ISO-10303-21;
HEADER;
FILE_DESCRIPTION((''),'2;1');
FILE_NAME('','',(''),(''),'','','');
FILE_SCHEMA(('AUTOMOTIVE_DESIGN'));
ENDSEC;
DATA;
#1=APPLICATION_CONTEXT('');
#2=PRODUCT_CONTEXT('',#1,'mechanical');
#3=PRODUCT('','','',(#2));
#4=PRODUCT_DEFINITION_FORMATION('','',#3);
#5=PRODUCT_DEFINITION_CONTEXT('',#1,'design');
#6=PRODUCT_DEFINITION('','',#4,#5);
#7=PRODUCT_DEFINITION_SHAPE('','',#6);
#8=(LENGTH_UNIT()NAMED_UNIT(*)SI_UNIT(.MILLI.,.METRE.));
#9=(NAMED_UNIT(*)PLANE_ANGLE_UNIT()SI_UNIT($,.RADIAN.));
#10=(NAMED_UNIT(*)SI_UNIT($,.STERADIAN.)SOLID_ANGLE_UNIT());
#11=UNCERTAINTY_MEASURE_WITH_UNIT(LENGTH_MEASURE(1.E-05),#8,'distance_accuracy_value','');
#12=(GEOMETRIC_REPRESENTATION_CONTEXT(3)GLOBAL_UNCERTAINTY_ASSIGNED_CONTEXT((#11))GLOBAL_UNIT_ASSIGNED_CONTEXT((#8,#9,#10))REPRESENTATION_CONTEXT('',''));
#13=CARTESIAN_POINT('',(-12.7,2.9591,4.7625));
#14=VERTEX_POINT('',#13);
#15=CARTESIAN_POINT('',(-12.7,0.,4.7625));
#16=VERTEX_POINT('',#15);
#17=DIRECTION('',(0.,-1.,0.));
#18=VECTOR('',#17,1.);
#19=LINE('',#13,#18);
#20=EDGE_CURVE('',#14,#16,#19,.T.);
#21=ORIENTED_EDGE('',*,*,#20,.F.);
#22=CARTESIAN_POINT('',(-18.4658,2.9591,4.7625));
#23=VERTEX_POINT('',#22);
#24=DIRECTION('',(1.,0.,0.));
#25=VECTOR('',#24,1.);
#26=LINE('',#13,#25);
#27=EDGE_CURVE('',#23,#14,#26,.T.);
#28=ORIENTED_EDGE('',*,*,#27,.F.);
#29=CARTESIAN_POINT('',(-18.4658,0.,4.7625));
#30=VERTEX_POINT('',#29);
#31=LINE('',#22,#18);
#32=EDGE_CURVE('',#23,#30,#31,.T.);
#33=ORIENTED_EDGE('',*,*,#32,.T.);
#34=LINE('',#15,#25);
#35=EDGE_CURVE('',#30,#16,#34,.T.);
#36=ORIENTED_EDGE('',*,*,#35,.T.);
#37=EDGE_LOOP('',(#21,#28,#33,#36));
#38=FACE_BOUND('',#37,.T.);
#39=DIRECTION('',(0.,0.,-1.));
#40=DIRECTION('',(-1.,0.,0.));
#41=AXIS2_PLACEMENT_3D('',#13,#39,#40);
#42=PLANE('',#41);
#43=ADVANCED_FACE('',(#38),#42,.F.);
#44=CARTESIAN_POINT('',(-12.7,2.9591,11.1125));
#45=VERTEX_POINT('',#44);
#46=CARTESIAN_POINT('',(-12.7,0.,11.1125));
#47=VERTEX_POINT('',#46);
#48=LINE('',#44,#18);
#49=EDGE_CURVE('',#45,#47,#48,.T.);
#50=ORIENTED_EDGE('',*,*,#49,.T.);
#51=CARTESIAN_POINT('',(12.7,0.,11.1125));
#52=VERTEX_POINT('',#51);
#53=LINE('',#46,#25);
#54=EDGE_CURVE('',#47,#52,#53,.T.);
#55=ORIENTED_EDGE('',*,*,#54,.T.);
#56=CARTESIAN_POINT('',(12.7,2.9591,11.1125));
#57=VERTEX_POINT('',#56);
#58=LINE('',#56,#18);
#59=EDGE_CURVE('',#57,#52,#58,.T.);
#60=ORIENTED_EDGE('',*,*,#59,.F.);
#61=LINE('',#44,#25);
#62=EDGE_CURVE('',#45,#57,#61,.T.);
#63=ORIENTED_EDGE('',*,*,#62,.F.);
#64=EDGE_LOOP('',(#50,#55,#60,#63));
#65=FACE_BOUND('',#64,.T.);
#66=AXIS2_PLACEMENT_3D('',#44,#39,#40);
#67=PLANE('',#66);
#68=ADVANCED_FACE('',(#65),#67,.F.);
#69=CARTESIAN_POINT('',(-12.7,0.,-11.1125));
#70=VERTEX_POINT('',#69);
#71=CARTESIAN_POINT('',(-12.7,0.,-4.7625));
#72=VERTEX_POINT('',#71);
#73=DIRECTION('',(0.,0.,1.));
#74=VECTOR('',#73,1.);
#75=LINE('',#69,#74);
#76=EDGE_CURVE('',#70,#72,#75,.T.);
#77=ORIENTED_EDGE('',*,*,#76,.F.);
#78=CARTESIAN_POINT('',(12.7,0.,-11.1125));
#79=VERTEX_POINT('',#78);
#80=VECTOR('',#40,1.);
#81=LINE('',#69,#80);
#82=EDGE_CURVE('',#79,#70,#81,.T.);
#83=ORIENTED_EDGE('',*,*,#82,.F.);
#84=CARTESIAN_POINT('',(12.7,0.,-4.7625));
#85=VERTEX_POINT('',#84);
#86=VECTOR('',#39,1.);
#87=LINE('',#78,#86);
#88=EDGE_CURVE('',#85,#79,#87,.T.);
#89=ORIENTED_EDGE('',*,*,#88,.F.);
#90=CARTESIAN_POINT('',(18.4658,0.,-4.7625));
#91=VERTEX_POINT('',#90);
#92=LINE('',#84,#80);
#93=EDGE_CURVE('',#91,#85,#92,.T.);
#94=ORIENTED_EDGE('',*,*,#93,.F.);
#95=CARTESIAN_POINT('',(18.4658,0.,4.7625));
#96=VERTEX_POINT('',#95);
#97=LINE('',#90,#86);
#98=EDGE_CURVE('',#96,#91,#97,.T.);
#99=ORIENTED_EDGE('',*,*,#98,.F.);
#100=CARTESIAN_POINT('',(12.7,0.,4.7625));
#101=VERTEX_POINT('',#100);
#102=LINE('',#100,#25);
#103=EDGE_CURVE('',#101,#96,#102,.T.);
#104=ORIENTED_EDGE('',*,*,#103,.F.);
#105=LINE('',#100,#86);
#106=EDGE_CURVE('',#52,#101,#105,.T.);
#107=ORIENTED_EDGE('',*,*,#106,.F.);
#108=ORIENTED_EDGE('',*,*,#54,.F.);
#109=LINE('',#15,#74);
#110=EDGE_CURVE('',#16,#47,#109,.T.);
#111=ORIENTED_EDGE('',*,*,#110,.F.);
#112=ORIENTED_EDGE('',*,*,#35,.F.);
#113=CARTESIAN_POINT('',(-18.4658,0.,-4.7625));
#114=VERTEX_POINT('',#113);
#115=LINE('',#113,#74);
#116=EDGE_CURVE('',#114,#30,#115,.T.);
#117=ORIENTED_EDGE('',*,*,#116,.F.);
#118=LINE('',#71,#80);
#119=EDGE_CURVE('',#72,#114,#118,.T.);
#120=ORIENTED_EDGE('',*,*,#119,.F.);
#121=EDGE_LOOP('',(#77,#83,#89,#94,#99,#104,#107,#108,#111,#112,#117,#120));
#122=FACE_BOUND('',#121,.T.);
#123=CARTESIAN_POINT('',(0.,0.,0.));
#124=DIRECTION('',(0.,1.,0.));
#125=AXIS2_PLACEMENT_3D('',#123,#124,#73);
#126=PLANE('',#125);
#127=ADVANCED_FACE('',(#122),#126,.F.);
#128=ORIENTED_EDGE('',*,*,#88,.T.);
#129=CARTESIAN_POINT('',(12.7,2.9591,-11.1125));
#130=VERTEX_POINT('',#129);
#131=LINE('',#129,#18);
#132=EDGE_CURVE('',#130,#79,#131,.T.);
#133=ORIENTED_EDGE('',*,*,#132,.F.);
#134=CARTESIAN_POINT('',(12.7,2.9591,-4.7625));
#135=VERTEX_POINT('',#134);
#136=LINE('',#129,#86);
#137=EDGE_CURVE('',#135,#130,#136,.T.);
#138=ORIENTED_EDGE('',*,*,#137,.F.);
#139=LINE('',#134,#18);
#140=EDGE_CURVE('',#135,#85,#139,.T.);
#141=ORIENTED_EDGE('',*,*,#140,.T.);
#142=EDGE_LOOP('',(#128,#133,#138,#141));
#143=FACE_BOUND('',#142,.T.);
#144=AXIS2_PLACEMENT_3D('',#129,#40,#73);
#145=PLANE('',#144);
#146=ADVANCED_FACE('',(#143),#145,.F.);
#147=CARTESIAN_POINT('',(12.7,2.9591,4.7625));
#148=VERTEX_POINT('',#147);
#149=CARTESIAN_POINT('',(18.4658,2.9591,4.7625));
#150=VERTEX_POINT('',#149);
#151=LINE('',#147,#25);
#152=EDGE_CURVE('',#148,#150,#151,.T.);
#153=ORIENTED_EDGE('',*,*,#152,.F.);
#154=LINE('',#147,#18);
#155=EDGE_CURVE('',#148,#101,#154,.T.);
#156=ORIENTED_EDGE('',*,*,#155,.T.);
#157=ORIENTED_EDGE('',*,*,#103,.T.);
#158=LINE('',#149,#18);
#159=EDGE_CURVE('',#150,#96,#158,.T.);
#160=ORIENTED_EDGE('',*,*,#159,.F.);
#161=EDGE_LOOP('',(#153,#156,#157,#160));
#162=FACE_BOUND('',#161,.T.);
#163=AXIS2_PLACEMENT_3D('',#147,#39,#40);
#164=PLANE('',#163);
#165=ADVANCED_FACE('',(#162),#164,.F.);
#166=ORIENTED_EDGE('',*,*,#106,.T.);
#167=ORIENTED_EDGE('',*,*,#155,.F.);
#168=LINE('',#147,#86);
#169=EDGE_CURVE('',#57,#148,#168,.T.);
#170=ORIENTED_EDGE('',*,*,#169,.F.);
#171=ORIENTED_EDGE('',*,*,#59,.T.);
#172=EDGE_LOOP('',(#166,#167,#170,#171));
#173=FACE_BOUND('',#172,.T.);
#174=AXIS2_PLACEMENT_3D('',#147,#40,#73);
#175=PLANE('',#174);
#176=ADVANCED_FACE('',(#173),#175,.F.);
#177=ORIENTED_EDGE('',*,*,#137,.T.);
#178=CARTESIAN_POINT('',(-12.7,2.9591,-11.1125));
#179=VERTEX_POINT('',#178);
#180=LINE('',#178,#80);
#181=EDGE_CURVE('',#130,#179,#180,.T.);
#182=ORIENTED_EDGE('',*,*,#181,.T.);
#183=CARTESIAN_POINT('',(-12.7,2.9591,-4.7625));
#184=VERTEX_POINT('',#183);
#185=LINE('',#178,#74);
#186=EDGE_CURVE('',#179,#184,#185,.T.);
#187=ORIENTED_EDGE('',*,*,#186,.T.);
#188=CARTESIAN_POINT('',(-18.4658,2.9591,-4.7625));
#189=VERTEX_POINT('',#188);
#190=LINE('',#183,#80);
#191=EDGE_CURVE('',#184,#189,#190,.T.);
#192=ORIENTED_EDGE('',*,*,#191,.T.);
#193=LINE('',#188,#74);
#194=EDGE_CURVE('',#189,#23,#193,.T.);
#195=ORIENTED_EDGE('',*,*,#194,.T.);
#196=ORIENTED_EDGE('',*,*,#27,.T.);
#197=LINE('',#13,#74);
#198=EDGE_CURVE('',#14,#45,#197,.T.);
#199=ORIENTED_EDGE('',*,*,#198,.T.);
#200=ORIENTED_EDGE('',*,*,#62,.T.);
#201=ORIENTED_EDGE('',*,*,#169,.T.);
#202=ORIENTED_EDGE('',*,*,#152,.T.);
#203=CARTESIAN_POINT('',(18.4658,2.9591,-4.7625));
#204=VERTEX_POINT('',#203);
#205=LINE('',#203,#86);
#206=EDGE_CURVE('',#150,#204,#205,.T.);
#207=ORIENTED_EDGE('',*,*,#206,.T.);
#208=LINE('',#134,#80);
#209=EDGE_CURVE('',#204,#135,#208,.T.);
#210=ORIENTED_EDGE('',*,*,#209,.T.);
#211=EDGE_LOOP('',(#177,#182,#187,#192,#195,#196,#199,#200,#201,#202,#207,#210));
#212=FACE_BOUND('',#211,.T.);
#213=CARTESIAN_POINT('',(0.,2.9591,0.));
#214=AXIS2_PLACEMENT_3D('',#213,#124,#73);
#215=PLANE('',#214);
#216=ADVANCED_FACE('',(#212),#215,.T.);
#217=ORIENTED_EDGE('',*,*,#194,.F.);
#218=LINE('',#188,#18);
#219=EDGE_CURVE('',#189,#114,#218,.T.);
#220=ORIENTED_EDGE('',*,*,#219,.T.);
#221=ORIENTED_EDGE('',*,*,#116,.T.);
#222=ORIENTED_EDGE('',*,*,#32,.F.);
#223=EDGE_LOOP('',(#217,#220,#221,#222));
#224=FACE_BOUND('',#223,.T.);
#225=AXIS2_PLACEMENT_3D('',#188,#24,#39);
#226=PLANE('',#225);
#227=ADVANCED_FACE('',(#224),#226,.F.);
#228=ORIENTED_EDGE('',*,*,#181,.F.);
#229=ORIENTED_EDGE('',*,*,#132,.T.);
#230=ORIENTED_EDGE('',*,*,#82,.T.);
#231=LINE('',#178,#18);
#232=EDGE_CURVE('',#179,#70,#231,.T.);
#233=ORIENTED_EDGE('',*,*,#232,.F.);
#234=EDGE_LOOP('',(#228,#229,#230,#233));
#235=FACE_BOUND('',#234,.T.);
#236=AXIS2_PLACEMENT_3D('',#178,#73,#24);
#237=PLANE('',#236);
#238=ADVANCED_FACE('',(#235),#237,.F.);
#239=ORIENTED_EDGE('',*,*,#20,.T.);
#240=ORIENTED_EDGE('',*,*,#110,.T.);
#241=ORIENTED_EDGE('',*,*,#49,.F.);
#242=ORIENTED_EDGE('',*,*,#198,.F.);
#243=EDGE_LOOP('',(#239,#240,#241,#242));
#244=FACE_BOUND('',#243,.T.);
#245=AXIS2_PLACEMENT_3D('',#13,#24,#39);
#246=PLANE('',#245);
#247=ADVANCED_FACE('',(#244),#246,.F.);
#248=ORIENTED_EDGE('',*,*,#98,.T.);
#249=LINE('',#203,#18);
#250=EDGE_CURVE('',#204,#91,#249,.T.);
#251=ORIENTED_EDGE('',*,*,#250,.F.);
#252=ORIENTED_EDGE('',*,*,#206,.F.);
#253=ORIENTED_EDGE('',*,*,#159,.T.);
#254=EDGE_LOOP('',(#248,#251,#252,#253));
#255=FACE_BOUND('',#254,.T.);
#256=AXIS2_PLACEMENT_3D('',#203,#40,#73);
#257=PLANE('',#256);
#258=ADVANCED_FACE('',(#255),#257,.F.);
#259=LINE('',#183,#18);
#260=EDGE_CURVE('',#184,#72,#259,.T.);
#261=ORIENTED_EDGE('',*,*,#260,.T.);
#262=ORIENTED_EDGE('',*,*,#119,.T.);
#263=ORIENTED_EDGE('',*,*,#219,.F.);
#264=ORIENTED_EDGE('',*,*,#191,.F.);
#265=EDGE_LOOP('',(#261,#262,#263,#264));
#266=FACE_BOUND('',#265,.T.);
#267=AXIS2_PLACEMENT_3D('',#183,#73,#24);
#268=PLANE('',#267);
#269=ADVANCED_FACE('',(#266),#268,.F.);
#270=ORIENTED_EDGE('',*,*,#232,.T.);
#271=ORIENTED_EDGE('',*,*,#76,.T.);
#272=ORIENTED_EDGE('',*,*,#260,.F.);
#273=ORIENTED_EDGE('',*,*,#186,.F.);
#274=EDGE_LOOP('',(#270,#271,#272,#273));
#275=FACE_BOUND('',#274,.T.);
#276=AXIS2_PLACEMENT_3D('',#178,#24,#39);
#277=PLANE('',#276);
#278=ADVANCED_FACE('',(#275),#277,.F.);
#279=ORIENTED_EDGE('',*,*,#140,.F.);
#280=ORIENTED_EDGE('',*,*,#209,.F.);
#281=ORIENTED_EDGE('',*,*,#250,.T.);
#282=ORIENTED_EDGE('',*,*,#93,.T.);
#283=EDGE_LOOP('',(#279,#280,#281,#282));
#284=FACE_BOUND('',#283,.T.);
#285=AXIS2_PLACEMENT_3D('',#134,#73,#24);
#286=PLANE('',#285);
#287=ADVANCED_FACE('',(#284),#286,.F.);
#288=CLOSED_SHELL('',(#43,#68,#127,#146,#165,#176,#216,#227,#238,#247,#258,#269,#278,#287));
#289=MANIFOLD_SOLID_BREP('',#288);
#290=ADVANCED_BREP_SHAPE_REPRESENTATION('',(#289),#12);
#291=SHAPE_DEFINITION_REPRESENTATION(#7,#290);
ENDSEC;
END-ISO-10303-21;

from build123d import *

# Parameters (mm, degrees)
BOSS_EXTRUDE1_DEPTH = 2.9591


with BuildPart() as part:
    # Sketch1 → Boss-Extrude1 (new body)
    with BuildSketch(Plane(origin=(0, 0, 0), x_dir=(1, 0, 0), z_dir=(0, 1, 0))):
        Polygon((-12.7, 11.1125), (12.7, 11.1125), (12.7, 4.7625), (18.4658, 4.7625), (18.4658, -4.7625), (12.7, -4.7625), (12.7, -11.1125), (-12.7, -11.1125), (-12.7, -4.7625), (-18.4658, -4.7625), (-18.4658, 4.7625), (-12.7, 4.7625), align=None)
    extrude(amount=BOSS_EXTRUDE1_DEPTH)


solid = part.part
